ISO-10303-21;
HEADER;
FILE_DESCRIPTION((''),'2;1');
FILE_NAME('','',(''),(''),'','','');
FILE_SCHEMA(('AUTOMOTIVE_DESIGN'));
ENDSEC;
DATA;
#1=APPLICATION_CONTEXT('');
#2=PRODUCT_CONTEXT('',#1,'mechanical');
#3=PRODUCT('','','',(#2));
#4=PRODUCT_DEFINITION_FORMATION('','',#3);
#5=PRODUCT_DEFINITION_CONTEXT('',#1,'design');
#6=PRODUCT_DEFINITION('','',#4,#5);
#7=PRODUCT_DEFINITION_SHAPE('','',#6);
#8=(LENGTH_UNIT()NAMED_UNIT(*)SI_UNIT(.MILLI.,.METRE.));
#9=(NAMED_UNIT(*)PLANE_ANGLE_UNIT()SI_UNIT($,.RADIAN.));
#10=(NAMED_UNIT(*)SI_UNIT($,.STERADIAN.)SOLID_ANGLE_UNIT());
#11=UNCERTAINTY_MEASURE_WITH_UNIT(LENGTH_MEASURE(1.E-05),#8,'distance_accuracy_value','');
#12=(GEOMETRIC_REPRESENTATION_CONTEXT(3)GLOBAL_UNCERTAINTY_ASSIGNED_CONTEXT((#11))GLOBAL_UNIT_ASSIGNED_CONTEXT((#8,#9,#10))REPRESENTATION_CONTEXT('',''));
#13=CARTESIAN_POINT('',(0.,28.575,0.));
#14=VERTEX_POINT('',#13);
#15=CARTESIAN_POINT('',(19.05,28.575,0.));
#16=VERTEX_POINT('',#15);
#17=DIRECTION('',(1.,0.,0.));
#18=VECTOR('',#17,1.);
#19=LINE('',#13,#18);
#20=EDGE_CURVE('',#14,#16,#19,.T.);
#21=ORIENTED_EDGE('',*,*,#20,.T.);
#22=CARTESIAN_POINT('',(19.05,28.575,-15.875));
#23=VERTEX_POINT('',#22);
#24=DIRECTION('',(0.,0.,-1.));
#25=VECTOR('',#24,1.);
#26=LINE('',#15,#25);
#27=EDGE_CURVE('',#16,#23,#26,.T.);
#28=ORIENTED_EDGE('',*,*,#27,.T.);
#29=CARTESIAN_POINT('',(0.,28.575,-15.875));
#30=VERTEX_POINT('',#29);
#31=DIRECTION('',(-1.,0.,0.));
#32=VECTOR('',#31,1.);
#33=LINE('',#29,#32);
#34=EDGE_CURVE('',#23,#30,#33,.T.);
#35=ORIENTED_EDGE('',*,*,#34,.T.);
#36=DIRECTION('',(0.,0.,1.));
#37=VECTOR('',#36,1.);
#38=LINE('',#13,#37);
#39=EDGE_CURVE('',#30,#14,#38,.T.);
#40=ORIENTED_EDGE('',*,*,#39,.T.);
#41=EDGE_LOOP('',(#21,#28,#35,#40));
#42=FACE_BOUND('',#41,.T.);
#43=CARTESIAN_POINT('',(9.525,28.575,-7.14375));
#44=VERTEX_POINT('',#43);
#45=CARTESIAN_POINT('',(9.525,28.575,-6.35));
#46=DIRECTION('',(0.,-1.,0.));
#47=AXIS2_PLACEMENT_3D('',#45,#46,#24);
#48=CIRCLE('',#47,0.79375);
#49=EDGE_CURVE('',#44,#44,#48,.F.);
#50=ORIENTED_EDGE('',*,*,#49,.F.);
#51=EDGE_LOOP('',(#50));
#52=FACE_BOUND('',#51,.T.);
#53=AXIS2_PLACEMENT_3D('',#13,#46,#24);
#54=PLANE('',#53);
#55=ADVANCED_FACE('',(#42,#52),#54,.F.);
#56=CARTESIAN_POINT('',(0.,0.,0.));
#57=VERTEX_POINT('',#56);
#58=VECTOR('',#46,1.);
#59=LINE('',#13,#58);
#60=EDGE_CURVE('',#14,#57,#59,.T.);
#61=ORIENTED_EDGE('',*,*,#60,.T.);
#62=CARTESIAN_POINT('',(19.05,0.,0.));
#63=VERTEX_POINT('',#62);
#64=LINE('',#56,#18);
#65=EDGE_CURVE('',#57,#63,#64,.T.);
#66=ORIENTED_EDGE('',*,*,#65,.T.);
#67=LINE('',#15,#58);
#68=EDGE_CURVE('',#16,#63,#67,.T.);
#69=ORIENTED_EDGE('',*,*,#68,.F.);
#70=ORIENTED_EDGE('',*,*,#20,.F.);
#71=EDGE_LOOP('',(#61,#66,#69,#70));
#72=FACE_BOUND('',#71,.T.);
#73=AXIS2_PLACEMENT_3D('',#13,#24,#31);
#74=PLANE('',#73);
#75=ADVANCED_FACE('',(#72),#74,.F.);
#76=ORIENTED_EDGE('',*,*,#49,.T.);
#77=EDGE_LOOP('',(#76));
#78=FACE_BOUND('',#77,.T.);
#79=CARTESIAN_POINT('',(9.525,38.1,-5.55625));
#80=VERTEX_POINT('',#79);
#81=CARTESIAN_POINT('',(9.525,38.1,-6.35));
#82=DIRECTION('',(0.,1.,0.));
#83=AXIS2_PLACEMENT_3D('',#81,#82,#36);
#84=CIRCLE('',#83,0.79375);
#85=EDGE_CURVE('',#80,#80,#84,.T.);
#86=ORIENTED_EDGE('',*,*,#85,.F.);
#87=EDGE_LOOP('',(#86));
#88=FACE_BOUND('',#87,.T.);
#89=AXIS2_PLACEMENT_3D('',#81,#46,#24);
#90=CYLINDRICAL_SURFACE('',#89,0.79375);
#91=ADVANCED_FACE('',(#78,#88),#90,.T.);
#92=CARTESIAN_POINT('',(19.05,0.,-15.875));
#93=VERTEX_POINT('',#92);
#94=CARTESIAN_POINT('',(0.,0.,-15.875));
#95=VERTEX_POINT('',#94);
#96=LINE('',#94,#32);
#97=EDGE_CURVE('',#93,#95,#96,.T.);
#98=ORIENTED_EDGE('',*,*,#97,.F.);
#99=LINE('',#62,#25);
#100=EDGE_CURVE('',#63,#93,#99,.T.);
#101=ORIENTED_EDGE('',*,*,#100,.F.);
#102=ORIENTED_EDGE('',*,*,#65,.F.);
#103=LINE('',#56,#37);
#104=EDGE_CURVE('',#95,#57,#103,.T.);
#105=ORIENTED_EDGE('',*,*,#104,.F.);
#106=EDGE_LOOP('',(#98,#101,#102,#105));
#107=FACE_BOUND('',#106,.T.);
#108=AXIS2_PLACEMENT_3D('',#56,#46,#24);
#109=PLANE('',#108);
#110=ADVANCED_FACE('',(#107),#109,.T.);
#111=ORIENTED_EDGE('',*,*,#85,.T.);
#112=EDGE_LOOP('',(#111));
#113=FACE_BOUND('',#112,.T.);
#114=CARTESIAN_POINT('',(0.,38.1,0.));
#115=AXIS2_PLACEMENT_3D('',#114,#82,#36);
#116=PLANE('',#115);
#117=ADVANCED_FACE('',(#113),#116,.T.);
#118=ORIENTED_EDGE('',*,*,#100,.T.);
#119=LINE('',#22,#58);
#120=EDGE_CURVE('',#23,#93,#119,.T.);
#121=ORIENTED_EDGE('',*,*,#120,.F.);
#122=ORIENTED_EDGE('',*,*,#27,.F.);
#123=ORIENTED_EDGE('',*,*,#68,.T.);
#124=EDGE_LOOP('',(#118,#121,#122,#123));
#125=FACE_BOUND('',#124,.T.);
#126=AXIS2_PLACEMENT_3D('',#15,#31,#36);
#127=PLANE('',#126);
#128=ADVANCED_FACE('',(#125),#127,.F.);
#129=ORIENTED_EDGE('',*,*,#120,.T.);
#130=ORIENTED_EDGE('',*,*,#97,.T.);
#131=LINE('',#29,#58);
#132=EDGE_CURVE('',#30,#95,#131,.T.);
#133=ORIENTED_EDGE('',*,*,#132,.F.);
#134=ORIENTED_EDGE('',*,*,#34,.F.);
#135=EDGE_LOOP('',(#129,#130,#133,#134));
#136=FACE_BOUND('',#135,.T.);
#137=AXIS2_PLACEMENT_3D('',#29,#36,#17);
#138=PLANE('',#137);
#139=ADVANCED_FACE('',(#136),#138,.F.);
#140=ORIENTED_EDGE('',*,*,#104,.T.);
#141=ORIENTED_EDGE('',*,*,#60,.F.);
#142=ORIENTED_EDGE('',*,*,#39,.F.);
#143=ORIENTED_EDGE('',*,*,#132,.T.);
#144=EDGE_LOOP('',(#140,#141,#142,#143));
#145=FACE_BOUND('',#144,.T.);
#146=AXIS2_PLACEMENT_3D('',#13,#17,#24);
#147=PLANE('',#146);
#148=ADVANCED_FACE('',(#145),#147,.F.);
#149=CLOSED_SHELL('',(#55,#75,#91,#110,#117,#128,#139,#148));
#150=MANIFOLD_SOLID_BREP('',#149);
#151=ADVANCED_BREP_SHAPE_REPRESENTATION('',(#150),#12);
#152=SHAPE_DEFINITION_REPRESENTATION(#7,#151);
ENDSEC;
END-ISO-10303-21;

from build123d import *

# Parameters (mm, degrees)
SKETCH1_W           = 19.05
SKETCH1_H           = 15.875
BOSS_EXTRUDE1_DEPTH = 28.575
BOSS_EXTRUDE2_DEPTH = 9.525


with BuildPart() as part:
    # Sketch1 → Boss-Extrude1 (new body)
    with BuildSketch(Plane(origin=(0, 0, 0), x_dir=(1, 0, 0), z_dir=(0, 1, 0))):
        with Locations((9.525, 7.9375)):
            Rectangle(SKETCH1_W, SKETCH1_H)
    extrude(amount=BOSS_EXTRUDE1_DEPTH)

    # Sketch2 → Boss-Extrude2 (add)
    with BuildSketch(Plane(origin=(0, 28.575, 0), x_dir=(1, 0, 0), z_dir=(0, 1, 0))):
        with BuildLine():
            ThreePointArc((10.31875, 6.35), (9.525, 7.14375), (8.73125, 6.35))
            Line((8.73125, 6.35), (10.31875, 6.35))
        make_face()
        with BuildLine():
            Line((10.31875, 6.35), (8.73125, 6.35))
            ThreePointArc((8.73125, 6.35), (9.525, 5.55625), (10.31875, 6.35))
        make_face()
    extrude(amount=BOSS_EXTRUDE2_DEPTH)


solid = part.part
